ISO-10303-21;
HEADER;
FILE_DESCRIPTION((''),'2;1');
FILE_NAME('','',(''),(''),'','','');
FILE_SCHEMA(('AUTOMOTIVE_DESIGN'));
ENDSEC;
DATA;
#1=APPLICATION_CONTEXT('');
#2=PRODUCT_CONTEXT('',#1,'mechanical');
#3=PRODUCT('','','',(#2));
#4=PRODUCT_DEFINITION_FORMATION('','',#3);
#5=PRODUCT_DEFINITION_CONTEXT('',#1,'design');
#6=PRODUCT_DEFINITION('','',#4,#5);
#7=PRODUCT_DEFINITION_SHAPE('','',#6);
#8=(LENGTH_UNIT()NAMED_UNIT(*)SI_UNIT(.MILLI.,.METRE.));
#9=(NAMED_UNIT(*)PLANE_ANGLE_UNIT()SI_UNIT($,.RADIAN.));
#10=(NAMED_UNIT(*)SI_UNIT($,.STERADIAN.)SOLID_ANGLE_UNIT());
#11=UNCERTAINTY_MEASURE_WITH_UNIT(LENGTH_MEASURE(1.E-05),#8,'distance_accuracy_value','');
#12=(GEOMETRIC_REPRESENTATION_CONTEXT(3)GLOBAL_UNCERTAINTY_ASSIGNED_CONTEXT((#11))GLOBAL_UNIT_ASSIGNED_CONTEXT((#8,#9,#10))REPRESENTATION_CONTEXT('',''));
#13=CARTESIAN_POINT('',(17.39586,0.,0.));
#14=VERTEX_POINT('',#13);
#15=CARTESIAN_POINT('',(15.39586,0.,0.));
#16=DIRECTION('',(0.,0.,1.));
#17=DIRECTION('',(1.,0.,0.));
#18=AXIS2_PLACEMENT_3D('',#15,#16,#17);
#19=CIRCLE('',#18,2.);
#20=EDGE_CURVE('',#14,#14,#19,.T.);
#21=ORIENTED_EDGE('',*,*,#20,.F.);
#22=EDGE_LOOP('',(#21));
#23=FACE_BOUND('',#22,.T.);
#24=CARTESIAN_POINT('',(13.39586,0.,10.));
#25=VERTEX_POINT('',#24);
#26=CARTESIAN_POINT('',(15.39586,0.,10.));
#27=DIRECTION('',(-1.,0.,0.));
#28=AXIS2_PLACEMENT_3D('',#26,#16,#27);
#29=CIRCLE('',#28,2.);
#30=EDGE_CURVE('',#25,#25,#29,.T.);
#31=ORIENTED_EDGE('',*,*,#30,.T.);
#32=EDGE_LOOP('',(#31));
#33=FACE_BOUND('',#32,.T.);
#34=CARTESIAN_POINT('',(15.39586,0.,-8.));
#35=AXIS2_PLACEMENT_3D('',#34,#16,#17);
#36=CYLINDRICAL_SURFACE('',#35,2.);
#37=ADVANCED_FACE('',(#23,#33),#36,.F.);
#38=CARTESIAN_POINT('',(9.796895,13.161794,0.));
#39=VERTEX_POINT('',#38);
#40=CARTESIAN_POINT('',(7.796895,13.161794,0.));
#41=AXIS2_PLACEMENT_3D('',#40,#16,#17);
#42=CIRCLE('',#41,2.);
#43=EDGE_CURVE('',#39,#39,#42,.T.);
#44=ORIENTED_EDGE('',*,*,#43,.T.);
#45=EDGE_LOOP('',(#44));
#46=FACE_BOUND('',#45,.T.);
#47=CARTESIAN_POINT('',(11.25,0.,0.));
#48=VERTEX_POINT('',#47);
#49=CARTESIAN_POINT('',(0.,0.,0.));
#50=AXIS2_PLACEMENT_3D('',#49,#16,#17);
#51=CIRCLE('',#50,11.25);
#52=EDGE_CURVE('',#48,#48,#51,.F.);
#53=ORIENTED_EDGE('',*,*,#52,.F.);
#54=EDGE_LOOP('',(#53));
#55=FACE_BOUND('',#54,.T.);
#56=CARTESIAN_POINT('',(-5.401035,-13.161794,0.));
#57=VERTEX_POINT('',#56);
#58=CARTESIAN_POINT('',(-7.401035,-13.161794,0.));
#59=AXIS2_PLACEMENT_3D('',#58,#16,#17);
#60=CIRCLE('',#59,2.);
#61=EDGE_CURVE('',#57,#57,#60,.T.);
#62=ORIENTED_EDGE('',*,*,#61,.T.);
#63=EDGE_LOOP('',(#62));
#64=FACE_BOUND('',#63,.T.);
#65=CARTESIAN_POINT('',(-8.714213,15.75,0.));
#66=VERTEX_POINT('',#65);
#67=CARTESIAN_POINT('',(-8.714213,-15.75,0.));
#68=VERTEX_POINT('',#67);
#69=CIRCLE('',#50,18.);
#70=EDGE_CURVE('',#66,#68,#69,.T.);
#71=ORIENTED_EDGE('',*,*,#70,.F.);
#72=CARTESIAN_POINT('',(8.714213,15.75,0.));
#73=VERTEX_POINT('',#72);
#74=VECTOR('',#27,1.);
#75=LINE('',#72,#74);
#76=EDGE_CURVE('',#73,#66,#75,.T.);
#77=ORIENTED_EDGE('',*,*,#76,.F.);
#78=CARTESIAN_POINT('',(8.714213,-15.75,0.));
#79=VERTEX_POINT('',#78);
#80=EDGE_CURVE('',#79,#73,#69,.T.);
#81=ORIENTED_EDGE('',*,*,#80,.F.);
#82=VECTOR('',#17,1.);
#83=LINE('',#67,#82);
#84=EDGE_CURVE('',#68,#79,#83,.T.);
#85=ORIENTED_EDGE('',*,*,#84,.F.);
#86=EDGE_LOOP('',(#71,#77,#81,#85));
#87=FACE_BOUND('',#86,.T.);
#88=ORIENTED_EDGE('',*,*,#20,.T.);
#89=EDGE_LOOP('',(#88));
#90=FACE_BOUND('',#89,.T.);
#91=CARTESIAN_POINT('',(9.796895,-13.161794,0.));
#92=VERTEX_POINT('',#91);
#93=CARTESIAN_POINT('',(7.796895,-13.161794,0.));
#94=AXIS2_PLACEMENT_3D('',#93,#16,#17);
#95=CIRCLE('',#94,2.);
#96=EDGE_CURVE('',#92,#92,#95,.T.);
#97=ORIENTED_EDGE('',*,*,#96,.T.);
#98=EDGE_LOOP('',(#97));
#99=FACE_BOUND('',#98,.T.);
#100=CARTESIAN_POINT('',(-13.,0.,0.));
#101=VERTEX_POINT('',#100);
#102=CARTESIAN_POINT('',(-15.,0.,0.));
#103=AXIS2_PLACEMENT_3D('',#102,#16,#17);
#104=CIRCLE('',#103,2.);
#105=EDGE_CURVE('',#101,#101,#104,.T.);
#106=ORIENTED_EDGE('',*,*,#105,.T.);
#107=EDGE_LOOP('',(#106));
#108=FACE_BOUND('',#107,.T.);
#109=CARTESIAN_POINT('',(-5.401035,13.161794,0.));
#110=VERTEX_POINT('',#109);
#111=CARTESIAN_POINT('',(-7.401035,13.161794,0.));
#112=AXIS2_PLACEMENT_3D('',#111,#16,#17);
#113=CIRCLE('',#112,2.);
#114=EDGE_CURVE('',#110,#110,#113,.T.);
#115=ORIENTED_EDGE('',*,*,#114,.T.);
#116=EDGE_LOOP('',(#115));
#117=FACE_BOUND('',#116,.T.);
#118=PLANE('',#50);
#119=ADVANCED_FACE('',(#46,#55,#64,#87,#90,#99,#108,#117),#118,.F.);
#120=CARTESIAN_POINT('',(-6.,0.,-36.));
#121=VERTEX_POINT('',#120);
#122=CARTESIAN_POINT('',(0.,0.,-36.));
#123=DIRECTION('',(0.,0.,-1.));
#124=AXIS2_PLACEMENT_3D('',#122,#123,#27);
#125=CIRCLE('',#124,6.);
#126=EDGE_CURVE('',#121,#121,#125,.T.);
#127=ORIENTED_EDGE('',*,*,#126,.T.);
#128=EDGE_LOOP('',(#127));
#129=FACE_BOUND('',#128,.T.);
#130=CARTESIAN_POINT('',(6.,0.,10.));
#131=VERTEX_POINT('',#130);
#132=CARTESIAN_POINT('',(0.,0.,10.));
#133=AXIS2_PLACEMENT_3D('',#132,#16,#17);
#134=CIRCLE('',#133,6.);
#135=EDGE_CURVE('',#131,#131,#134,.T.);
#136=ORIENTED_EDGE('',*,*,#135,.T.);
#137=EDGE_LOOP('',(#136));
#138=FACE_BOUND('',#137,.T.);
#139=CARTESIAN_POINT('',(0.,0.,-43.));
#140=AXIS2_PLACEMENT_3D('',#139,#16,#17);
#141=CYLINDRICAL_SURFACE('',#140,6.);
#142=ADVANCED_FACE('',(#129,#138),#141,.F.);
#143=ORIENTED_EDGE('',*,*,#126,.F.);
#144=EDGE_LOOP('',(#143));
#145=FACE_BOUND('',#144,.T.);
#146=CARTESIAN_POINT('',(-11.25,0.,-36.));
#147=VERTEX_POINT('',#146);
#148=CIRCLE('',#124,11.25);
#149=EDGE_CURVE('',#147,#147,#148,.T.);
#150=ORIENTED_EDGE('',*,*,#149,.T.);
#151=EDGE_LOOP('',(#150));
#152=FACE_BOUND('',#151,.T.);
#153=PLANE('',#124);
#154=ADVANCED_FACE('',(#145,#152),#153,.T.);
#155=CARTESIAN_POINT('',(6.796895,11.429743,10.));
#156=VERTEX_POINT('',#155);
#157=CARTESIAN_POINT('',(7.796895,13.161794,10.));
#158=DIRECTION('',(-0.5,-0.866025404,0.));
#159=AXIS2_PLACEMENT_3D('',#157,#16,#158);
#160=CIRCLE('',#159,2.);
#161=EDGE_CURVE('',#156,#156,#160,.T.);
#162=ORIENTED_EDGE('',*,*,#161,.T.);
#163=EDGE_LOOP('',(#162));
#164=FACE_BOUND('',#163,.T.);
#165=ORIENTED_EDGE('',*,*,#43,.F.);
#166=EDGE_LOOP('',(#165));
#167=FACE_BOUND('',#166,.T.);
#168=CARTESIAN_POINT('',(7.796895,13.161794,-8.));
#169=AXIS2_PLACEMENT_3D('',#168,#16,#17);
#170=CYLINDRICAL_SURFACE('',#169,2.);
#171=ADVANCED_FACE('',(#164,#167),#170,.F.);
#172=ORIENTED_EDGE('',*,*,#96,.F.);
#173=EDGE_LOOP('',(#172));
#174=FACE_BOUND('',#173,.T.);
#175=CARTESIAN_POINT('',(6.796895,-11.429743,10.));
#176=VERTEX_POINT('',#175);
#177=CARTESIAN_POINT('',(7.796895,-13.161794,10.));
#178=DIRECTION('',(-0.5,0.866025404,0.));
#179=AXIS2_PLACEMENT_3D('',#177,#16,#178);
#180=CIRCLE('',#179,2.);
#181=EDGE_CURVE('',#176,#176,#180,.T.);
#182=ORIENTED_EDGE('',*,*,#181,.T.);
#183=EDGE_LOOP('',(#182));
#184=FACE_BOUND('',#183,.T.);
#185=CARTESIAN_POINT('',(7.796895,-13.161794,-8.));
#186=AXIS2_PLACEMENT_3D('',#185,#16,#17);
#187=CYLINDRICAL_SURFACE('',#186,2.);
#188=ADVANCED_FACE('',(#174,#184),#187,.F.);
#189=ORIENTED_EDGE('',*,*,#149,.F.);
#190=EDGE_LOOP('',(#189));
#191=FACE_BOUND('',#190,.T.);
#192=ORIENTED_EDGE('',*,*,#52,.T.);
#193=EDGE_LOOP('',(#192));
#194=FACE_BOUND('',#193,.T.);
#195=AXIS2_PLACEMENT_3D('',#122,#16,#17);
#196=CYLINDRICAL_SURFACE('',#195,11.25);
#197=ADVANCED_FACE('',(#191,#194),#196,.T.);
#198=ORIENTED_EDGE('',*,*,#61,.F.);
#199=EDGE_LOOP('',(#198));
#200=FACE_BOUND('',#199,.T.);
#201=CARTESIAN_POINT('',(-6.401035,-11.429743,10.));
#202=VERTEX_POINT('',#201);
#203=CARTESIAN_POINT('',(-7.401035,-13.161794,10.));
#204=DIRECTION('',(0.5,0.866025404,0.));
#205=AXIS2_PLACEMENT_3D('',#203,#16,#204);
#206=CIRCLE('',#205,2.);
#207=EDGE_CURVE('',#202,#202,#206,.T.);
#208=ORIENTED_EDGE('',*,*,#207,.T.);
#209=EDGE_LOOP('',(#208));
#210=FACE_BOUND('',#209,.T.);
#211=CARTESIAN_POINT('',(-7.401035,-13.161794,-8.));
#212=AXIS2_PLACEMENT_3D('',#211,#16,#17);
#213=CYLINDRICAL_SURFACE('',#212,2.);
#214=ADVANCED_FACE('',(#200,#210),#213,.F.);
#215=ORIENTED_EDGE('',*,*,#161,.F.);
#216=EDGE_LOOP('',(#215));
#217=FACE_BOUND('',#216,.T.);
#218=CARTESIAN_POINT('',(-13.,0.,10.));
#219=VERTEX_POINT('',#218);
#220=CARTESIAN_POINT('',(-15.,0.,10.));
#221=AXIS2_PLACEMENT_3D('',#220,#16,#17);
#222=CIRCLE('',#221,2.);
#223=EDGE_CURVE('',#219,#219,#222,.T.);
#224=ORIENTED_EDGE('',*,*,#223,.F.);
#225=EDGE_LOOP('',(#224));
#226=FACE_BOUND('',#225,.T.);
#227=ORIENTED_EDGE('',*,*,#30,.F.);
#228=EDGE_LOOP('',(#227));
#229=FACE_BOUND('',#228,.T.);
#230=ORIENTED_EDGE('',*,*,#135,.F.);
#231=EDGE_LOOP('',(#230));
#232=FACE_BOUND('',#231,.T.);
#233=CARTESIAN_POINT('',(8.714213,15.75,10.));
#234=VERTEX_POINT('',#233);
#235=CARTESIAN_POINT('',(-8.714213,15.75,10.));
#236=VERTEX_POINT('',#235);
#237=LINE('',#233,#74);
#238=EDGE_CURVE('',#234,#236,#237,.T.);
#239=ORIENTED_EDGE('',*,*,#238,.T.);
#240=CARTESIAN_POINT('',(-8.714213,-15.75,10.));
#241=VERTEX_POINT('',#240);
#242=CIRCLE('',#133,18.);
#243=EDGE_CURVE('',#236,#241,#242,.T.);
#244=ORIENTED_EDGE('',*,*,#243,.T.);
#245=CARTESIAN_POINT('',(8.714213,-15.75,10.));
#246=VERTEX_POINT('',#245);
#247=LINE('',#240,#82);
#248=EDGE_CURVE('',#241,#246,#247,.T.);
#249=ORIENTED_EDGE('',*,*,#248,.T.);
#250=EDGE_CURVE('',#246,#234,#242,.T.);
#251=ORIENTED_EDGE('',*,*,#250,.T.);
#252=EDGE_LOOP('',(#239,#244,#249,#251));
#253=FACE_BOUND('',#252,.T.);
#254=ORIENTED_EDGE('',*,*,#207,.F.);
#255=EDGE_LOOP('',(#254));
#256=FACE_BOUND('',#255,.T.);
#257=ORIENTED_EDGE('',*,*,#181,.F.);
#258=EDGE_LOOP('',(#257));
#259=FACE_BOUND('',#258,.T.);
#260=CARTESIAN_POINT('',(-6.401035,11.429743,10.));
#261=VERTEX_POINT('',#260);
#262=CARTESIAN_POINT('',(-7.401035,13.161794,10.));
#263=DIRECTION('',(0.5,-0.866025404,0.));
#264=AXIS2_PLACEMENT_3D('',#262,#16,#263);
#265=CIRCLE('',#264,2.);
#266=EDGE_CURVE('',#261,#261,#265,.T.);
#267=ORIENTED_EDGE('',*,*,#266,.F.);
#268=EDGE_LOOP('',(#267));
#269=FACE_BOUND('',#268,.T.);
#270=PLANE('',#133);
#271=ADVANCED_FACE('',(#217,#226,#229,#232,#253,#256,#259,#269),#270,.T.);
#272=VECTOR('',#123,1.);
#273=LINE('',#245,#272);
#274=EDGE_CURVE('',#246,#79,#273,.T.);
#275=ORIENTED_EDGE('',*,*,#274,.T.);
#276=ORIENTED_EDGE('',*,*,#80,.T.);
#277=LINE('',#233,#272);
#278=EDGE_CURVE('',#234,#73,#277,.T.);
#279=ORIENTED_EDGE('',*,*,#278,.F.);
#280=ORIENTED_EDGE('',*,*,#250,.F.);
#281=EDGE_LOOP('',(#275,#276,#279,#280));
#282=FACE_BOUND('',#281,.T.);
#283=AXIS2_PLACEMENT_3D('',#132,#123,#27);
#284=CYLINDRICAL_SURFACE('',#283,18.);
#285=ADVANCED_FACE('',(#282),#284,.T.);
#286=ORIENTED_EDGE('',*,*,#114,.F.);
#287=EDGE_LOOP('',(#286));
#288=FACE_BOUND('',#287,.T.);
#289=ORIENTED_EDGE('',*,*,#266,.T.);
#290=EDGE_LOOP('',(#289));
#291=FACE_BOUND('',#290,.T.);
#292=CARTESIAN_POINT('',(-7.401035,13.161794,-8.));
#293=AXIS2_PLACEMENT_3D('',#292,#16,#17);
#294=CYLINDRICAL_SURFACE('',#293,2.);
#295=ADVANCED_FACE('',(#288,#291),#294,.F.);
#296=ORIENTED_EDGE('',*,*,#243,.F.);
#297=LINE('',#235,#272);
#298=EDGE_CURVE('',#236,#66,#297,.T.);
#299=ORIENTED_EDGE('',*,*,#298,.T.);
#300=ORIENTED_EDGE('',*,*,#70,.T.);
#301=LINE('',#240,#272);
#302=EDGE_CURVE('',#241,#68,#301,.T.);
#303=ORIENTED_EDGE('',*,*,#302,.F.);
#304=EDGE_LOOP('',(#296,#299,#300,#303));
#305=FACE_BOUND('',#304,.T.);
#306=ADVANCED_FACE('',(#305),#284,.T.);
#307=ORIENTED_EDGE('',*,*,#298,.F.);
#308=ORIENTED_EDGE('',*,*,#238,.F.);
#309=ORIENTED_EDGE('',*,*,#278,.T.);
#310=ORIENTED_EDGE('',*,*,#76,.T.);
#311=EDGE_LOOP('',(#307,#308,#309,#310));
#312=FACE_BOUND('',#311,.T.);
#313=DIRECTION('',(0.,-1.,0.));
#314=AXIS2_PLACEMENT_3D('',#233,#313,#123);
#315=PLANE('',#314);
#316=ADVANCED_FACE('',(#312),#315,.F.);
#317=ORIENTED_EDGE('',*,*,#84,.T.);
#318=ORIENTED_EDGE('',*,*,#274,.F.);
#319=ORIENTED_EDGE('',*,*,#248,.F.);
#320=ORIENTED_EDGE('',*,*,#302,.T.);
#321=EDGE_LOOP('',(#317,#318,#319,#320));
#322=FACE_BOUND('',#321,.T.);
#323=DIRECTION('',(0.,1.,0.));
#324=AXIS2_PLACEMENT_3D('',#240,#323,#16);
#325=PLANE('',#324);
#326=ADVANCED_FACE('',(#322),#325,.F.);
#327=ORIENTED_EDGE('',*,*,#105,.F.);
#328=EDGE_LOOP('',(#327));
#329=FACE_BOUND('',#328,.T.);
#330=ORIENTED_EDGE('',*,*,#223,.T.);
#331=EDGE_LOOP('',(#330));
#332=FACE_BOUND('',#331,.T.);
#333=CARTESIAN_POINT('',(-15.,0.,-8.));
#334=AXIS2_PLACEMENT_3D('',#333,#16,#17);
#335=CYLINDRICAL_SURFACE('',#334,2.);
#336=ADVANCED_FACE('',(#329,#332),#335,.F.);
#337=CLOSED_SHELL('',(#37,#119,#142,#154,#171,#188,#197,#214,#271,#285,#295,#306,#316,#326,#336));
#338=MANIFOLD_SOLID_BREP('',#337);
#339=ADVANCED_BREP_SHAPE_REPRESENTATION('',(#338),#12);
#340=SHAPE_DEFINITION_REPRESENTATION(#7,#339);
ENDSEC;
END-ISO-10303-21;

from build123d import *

# Parameters (mm, degrees)
SALIENTE_EXTRUIR1_DEPTH = 10
CROQUIS2_R              = 2
CORTAR_EXTRUIR1_DEPTH   = 18
MATRIZC1_COUNT          = 6
CROQUIS4_R              = 11.25
SALIENTE_EXTRUIR2_DEPTH = 36
CROQUIS5_R              = 6
CORTAR_EXTRUIR2_DEPTH   = 53


with BuildPart() as part:
    # Croquis1 → Saliente-Extruir1 (new body)
    with BuildSketch(Plane.XY):
        with BuildLine():
            Line((-8.714212529, -15.75), (8.714212529, -15.75))
            ThreePointArc((8.714212529, -15.75), (18, 0), (8.714212529, 15.75))
            Line((8.714212529, 15.75), (-8.714212529, 15.75))
            ThreePointArc((-8.714212529, 15.75), (-18, 0), (-8.714212529, -15.75))
        make_face()
    extrude(amount=SALIENTE_EXTRUIR1_DEPTH)

    # Croquis2 → Cortar-Extruir1 (cut)
    with BuildSketch(Plane.XY.offset(10)):
        with Locations((-15, 0)):
            Circle(CROQUIS2_R)
    cortar_extruir1 = extrude(amount=-CORTAR_EXTRUIR1_DEPTH, mode=Mode.SUBTRACT)

    # MatrizC1: Cortar-Extruir1 ×6 about axis
    matrizc1_axis = Axis((0.197930151, 0, 10), (0, 0, 1))
    for i in range(1, MATRIZC1_COUNT):
        add(cortar_extruir1.rotate(matrizc1_axis, i * 360 / MATRIZC1_COUNT), mode=Mode.SUBTRACT)

    # Croquis4 → Saliente-Extruir2 (add)
    with BuildSketch(Plane(origin=(0, 0, 0), x_dir=(-1, 0, 0), z_dir=(0, 0, -1))):
        Circle(CROQUIS4_R)
    extrude(amount=SALIENTE_EXTRUIR2_DEPTH)

    # Croquis5 → Cortar-Extruir2 (cut)
    with BuildSketch(Plane.XY.offset(10)):
        Circle(CROQUIS5_R)
    extrude(amount=-CORTAR_EXTRUIR2_DEPTH, mode=Mode.SUBTRACT)


solid = part.part
